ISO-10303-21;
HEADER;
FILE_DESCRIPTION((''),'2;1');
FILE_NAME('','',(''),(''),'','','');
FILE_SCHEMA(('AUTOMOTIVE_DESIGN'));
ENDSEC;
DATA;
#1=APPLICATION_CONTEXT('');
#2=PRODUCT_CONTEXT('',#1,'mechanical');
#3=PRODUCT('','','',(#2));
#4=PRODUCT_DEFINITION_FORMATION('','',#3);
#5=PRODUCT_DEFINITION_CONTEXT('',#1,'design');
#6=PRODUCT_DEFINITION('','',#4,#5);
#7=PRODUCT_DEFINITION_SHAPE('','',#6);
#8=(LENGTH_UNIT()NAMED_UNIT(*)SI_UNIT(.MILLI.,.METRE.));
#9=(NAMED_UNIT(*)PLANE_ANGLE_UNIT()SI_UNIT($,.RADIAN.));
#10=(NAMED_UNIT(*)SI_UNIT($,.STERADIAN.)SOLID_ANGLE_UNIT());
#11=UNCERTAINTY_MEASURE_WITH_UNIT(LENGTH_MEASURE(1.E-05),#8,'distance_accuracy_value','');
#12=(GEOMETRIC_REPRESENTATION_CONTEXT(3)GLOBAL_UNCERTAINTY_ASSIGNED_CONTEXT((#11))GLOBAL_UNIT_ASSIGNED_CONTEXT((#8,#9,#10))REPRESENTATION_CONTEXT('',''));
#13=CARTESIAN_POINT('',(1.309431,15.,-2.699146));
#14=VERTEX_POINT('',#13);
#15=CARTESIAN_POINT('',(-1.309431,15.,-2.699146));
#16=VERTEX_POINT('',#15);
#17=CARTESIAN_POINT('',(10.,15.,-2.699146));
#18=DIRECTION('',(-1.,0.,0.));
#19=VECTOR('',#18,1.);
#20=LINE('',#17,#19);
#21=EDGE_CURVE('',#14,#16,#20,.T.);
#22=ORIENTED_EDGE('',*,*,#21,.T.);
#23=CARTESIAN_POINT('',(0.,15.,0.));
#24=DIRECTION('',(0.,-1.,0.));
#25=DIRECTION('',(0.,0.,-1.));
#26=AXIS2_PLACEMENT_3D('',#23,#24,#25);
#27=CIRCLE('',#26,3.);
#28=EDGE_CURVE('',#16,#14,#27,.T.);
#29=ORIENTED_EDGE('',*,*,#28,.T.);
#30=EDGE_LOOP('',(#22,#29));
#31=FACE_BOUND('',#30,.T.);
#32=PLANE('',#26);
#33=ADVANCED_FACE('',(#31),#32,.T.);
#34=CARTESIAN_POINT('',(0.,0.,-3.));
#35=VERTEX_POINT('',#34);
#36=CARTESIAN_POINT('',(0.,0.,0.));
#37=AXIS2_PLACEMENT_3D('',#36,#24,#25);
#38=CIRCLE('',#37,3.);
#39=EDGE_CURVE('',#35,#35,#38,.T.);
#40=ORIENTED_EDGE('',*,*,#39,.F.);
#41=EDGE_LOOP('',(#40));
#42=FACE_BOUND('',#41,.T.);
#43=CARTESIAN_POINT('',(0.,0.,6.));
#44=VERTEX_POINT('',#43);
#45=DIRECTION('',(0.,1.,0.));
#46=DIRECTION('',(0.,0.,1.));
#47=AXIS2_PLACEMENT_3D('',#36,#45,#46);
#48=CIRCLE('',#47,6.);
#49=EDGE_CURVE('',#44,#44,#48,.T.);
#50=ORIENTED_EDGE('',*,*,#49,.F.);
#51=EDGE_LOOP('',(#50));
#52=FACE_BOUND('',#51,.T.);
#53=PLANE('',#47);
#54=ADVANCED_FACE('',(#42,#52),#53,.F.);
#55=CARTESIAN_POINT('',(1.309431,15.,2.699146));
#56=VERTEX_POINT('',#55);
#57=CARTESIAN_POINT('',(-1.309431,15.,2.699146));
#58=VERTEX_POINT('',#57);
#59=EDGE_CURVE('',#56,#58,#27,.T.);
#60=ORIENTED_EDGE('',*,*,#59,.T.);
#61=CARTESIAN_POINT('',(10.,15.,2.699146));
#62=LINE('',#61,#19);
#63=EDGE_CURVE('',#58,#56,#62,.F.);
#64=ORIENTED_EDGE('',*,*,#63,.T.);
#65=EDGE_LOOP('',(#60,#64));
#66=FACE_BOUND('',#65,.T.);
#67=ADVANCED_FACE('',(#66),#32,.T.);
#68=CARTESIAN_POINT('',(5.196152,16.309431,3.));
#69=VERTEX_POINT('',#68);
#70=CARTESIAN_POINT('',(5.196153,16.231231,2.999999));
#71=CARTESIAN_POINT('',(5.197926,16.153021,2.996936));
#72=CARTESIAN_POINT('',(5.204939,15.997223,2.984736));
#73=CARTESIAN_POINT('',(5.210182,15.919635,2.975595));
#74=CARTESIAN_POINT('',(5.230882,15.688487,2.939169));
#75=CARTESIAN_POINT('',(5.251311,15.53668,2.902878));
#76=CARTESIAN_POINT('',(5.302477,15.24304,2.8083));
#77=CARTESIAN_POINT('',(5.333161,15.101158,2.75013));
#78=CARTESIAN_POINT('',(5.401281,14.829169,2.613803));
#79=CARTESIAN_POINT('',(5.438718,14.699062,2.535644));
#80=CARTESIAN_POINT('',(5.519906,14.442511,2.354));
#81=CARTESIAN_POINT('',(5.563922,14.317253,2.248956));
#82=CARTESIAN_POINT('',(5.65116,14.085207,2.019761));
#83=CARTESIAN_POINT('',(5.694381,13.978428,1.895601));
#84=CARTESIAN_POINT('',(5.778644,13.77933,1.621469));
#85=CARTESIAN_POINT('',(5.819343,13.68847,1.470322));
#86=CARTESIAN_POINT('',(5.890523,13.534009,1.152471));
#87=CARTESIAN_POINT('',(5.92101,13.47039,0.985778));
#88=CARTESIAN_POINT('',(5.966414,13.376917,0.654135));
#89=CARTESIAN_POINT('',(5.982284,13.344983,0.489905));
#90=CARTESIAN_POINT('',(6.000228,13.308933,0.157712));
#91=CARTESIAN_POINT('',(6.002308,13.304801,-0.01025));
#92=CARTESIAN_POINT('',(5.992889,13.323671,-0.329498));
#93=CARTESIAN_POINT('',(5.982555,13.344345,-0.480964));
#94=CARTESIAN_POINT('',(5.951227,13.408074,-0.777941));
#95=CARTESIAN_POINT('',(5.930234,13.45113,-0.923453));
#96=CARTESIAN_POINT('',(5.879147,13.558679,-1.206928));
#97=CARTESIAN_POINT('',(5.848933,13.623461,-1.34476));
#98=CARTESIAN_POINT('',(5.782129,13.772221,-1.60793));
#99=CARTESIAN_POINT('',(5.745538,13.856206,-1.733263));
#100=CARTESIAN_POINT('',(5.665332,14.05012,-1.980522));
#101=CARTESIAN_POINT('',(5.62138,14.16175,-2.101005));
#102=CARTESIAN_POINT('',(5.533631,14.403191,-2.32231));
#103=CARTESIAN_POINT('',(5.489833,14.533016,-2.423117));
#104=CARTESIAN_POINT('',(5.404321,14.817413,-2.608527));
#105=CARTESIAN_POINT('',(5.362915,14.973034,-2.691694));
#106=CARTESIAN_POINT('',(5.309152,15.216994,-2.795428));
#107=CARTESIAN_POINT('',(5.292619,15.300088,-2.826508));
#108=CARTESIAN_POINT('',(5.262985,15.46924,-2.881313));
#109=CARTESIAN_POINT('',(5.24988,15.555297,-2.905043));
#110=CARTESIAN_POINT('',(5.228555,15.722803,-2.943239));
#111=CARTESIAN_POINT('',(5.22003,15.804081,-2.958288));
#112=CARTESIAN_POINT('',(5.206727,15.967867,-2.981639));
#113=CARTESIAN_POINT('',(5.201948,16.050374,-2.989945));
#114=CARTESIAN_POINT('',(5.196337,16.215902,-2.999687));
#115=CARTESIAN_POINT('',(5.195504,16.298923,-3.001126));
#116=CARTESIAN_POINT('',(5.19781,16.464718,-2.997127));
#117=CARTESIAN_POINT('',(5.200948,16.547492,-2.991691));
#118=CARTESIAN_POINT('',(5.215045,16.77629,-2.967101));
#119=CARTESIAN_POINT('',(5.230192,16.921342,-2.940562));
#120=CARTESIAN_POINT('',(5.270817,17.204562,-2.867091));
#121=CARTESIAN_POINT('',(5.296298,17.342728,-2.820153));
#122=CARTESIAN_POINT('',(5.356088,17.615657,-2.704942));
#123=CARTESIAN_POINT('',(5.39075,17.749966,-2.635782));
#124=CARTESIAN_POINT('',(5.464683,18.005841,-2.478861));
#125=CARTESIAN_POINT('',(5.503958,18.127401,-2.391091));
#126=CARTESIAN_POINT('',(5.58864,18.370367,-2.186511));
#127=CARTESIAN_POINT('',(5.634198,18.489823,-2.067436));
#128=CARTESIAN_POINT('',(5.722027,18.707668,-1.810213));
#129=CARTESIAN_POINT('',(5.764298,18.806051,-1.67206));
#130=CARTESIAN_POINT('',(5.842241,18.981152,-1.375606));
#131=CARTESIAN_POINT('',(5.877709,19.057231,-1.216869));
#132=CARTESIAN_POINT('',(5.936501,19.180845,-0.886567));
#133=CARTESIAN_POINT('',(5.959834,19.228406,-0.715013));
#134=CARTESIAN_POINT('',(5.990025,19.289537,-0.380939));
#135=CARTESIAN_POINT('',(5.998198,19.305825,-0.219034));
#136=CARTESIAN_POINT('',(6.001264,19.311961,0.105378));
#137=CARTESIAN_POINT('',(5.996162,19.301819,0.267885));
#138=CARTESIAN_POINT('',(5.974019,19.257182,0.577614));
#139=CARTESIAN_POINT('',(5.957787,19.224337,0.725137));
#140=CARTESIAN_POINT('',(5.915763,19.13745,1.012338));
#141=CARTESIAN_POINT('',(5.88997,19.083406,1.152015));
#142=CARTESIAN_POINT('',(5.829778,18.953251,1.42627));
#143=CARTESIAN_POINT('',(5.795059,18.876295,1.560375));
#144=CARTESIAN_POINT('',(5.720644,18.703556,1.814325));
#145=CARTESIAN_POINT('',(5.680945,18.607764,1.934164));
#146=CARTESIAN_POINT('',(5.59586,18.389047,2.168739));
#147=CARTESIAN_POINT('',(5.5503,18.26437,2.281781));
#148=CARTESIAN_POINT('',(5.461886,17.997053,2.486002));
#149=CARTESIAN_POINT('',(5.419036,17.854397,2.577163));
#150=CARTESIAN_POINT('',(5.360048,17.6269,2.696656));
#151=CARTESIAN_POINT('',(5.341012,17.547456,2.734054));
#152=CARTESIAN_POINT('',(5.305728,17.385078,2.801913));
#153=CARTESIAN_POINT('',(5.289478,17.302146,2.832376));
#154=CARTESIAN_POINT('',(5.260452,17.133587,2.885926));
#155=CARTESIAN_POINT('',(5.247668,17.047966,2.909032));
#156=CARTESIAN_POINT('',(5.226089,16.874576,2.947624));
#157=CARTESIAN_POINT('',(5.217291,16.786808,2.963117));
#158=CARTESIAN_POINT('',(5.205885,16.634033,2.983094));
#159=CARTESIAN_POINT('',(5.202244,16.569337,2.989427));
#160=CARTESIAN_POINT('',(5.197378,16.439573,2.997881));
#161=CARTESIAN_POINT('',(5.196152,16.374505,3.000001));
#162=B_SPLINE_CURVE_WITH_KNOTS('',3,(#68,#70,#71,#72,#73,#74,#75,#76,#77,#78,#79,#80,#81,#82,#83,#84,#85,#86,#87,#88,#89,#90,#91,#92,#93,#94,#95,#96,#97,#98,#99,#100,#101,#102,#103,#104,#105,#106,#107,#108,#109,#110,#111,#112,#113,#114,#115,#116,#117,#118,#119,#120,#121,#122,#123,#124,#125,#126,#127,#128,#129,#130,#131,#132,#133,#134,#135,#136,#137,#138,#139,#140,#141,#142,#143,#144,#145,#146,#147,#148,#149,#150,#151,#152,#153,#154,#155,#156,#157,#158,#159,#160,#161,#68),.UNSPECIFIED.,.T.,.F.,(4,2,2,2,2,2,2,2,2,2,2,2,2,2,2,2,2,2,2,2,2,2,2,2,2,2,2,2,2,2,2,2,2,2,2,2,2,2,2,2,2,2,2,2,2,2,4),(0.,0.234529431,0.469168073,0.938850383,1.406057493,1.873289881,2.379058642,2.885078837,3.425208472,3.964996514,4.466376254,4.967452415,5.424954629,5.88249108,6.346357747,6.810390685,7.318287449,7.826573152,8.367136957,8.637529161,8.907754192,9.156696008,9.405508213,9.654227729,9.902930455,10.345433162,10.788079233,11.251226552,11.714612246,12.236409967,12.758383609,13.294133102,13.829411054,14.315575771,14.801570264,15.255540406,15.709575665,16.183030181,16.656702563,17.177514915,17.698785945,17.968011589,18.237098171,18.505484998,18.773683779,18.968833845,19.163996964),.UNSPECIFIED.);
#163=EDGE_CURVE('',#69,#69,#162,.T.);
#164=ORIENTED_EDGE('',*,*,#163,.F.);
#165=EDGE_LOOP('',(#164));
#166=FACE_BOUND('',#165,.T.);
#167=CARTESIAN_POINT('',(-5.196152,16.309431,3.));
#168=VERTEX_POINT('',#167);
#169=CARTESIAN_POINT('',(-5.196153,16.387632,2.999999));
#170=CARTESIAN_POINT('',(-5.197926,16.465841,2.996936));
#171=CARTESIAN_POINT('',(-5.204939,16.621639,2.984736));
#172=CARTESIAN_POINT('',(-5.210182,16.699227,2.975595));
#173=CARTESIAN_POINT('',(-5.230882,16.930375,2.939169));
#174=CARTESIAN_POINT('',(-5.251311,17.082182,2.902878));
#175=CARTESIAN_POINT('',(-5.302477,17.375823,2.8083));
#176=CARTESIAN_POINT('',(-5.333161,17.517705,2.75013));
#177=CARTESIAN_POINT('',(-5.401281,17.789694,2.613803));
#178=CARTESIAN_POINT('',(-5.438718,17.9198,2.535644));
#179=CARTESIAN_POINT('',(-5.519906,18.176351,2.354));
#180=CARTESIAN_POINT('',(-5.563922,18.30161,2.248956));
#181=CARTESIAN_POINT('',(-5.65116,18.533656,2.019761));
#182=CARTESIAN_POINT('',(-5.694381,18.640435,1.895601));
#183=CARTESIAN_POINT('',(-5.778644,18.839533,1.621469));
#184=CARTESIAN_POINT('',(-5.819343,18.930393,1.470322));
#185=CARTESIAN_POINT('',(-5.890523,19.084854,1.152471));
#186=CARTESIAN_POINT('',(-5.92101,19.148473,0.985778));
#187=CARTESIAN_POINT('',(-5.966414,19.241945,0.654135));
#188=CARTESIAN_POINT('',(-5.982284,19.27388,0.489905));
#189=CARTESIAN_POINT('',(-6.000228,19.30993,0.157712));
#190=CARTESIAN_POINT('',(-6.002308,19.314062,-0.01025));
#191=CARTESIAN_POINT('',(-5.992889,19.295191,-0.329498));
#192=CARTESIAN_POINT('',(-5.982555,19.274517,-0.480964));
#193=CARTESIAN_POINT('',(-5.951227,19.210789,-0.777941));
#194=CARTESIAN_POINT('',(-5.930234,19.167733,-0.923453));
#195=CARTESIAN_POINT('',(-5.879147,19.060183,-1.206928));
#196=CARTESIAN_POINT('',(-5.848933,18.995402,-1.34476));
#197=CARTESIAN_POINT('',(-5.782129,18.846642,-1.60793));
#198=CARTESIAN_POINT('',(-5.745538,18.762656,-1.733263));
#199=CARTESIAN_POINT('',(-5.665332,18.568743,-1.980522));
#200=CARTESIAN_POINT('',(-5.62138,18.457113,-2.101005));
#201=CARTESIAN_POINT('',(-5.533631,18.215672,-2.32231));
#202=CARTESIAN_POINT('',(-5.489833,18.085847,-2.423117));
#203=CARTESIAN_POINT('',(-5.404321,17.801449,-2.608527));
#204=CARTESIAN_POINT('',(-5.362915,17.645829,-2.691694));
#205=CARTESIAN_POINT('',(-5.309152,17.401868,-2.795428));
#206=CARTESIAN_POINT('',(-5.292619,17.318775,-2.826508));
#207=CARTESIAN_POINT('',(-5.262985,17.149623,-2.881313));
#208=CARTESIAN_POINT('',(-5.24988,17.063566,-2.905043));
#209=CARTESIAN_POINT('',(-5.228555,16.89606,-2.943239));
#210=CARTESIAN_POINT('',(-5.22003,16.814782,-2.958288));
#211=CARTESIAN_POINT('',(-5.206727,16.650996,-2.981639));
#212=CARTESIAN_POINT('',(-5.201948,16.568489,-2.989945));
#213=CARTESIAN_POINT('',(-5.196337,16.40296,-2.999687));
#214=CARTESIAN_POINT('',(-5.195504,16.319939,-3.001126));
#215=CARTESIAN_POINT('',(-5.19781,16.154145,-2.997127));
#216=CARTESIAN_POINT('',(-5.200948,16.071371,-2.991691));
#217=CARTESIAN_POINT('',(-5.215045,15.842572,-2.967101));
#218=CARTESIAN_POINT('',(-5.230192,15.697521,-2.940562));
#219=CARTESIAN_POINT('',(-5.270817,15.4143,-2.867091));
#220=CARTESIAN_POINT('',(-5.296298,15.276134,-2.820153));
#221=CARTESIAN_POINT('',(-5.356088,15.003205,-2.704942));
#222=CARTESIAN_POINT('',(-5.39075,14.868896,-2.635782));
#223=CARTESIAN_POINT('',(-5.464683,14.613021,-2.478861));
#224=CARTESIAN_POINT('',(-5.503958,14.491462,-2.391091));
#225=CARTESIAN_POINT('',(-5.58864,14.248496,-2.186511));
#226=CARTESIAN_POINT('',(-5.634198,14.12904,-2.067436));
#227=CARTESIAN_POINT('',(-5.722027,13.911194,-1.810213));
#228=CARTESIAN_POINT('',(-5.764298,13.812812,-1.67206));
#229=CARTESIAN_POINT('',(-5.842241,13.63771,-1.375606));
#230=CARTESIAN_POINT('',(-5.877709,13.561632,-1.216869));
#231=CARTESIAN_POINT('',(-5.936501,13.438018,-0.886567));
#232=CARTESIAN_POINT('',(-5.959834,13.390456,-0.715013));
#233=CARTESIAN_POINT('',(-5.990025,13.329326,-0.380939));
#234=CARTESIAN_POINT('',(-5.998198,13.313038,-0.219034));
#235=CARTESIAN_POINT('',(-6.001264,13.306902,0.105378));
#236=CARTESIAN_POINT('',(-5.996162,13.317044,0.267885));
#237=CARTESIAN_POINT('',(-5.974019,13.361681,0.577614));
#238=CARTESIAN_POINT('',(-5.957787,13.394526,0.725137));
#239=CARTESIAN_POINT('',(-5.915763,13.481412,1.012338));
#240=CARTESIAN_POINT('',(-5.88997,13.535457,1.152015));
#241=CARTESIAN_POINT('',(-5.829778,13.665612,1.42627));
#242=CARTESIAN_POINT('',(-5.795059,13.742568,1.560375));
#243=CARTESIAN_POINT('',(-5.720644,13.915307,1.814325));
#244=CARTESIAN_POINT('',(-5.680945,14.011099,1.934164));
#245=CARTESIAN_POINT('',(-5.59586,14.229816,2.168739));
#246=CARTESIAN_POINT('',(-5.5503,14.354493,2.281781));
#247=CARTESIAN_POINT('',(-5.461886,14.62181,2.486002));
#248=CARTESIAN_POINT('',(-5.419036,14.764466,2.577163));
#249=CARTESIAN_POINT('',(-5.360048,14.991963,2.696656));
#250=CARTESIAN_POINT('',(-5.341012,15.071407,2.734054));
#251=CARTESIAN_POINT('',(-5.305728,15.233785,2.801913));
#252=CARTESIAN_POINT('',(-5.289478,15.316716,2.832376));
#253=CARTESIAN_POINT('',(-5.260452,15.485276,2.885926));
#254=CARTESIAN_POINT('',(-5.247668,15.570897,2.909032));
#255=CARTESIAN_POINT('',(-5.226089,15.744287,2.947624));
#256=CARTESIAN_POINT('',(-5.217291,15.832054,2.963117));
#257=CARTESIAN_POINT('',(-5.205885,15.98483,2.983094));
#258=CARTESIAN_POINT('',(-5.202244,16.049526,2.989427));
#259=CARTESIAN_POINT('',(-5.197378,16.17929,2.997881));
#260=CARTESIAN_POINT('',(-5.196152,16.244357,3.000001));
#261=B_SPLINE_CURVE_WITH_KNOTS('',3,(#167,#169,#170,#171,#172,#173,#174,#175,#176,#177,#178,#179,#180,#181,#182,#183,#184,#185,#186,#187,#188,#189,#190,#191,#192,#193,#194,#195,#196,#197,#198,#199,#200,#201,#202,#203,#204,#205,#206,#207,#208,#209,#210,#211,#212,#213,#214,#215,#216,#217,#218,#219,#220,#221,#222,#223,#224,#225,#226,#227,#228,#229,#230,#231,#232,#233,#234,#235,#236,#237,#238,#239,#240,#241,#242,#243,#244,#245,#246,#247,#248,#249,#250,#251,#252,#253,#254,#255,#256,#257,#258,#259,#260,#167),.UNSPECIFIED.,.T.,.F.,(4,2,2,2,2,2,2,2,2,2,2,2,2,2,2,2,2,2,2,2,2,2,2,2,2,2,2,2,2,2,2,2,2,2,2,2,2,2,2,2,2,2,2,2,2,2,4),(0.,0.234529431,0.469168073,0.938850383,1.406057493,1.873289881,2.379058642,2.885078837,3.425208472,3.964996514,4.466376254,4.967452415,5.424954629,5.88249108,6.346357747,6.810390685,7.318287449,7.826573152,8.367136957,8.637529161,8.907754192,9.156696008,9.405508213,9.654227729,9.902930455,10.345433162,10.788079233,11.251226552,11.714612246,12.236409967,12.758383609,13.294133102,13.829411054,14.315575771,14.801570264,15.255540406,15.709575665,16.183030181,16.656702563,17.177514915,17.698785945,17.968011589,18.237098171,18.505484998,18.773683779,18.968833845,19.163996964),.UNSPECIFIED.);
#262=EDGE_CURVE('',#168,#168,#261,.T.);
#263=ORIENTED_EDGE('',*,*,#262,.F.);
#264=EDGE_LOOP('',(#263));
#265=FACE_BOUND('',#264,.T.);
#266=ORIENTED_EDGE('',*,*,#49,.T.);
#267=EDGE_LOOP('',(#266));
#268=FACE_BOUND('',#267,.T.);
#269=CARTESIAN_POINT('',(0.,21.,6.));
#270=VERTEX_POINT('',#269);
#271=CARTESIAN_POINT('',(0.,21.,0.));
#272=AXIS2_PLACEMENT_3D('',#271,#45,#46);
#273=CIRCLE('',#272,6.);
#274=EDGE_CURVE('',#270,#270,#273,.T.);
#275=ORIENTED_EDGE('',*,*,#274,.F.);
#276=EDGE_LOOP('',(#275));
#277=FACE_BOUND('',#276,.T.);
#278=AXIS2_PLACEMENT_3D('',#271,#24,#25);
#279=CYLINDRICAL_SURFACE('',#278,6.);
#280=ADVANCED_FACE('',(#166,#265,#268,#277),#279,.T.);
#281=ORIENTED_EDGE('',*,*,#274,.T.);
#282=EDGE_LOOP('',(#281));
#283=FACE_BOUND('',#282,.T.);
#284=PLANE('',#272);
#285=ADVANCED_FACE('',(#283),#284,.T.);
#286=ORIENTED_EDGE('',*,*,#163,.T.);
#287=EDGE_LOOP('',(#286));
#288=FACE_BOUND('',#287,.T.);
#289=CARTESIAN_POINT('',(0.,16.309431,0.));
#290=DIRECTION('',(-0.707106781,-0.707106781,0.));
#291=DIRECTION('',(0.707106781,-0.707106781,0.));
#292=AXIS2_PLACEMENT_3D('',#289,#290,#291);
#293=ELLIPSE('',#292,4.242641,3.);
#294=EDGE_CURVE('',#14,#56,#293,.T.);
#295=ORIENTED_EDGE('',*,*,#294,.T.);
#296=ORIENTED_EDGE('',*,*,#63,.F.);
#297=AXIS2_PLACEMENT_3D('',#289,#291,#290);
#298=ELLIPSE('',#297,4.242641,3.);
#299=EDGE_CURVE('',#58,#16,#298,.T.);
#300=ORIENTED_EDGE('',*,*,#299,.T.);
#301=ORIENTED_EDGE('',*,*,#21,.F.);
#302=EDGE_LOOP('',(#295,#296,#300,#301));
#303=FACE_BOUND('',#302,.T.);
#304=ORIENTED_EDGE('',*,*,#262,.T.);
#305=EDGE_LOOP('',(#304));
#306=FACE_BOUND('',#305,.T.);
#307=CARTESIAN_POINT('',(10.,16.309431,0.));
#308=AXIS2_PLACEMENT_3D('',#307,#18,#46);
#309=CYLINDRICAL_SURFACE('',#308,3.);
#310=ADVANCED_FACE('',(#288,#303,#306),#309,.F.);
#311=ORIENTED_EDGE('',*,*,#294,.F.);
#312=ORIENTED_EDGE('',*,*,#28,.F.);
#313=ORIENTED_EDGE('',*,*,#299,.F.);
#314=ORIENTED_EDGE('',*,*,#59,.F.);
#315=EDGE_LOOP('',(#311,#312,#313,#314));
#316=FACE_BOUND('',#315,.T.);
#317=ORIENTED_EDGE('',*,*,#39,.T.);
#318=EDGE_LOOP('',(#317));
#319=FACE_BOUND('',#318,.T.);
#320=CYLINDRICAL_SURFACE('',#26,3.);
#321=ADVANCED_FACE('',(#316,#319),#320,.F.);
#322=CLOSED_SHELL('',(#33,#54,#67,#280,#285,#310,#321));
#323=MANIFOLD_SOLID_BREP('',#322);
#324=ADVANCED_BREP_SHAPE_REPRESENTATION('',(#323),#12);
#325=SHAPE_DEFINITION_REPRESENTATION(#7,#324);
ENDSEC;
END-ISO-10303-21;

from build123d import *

# Parameters (mm, degrees)
SKETCH_1_R               = 6
EXTRUDE_2_DEPTH          = 21
SKETCH_2_R               = 3
CUT_EXTRUDE_1_DEPTH      = 15
CUT_EXTRUDE_2_DEPTH      = 10
CUT_EXTRUDE_2_DEPTH_BACK = 10
SKETCH_3_R               = 3


with BuildPart() as part:
    # 草图1 → 凸台-拉伸2 (new body)
    with BuildSketch(Plane(origin=(0, 0, 0), x_dir=(1, 0, 0), z_dir=(0, 1, 0))):
        Circle(SKETCH_1_R)
    extrude(amount=EXTRUDE_2_DEPTH)

    # 草图2 → 切除-拉伸1 (cut)
    with BuildSketch(Plane.XZ):
        Circle(SKETCH_2_R)
    extrude(amount=-CUT_EXTRUDE_1_DEPTH, mode=Mode.SUBTRACT)

    # 草图3 → 切除-拉伸2 (cut, two sides: drawn at the far end of the back side and taken through both)
    with BuildSketch(Plane(origin=(0, 0, 0), x_dir=(0, 0, -1), z_dir=(1, 0, 0)).offset(-CUT_EXTRUDE_2_DEPTH_BACK)):
        with Locations((0, 16.309431348)):
            Circle(SKETCH_3_R)
    extrude(amount=CUT_EXTRUDE_2_DEPTH + CUT_EXTRUDE_2_DEPTH_BACK, mode=Mode.SUBTRACT)


solid = part.part
